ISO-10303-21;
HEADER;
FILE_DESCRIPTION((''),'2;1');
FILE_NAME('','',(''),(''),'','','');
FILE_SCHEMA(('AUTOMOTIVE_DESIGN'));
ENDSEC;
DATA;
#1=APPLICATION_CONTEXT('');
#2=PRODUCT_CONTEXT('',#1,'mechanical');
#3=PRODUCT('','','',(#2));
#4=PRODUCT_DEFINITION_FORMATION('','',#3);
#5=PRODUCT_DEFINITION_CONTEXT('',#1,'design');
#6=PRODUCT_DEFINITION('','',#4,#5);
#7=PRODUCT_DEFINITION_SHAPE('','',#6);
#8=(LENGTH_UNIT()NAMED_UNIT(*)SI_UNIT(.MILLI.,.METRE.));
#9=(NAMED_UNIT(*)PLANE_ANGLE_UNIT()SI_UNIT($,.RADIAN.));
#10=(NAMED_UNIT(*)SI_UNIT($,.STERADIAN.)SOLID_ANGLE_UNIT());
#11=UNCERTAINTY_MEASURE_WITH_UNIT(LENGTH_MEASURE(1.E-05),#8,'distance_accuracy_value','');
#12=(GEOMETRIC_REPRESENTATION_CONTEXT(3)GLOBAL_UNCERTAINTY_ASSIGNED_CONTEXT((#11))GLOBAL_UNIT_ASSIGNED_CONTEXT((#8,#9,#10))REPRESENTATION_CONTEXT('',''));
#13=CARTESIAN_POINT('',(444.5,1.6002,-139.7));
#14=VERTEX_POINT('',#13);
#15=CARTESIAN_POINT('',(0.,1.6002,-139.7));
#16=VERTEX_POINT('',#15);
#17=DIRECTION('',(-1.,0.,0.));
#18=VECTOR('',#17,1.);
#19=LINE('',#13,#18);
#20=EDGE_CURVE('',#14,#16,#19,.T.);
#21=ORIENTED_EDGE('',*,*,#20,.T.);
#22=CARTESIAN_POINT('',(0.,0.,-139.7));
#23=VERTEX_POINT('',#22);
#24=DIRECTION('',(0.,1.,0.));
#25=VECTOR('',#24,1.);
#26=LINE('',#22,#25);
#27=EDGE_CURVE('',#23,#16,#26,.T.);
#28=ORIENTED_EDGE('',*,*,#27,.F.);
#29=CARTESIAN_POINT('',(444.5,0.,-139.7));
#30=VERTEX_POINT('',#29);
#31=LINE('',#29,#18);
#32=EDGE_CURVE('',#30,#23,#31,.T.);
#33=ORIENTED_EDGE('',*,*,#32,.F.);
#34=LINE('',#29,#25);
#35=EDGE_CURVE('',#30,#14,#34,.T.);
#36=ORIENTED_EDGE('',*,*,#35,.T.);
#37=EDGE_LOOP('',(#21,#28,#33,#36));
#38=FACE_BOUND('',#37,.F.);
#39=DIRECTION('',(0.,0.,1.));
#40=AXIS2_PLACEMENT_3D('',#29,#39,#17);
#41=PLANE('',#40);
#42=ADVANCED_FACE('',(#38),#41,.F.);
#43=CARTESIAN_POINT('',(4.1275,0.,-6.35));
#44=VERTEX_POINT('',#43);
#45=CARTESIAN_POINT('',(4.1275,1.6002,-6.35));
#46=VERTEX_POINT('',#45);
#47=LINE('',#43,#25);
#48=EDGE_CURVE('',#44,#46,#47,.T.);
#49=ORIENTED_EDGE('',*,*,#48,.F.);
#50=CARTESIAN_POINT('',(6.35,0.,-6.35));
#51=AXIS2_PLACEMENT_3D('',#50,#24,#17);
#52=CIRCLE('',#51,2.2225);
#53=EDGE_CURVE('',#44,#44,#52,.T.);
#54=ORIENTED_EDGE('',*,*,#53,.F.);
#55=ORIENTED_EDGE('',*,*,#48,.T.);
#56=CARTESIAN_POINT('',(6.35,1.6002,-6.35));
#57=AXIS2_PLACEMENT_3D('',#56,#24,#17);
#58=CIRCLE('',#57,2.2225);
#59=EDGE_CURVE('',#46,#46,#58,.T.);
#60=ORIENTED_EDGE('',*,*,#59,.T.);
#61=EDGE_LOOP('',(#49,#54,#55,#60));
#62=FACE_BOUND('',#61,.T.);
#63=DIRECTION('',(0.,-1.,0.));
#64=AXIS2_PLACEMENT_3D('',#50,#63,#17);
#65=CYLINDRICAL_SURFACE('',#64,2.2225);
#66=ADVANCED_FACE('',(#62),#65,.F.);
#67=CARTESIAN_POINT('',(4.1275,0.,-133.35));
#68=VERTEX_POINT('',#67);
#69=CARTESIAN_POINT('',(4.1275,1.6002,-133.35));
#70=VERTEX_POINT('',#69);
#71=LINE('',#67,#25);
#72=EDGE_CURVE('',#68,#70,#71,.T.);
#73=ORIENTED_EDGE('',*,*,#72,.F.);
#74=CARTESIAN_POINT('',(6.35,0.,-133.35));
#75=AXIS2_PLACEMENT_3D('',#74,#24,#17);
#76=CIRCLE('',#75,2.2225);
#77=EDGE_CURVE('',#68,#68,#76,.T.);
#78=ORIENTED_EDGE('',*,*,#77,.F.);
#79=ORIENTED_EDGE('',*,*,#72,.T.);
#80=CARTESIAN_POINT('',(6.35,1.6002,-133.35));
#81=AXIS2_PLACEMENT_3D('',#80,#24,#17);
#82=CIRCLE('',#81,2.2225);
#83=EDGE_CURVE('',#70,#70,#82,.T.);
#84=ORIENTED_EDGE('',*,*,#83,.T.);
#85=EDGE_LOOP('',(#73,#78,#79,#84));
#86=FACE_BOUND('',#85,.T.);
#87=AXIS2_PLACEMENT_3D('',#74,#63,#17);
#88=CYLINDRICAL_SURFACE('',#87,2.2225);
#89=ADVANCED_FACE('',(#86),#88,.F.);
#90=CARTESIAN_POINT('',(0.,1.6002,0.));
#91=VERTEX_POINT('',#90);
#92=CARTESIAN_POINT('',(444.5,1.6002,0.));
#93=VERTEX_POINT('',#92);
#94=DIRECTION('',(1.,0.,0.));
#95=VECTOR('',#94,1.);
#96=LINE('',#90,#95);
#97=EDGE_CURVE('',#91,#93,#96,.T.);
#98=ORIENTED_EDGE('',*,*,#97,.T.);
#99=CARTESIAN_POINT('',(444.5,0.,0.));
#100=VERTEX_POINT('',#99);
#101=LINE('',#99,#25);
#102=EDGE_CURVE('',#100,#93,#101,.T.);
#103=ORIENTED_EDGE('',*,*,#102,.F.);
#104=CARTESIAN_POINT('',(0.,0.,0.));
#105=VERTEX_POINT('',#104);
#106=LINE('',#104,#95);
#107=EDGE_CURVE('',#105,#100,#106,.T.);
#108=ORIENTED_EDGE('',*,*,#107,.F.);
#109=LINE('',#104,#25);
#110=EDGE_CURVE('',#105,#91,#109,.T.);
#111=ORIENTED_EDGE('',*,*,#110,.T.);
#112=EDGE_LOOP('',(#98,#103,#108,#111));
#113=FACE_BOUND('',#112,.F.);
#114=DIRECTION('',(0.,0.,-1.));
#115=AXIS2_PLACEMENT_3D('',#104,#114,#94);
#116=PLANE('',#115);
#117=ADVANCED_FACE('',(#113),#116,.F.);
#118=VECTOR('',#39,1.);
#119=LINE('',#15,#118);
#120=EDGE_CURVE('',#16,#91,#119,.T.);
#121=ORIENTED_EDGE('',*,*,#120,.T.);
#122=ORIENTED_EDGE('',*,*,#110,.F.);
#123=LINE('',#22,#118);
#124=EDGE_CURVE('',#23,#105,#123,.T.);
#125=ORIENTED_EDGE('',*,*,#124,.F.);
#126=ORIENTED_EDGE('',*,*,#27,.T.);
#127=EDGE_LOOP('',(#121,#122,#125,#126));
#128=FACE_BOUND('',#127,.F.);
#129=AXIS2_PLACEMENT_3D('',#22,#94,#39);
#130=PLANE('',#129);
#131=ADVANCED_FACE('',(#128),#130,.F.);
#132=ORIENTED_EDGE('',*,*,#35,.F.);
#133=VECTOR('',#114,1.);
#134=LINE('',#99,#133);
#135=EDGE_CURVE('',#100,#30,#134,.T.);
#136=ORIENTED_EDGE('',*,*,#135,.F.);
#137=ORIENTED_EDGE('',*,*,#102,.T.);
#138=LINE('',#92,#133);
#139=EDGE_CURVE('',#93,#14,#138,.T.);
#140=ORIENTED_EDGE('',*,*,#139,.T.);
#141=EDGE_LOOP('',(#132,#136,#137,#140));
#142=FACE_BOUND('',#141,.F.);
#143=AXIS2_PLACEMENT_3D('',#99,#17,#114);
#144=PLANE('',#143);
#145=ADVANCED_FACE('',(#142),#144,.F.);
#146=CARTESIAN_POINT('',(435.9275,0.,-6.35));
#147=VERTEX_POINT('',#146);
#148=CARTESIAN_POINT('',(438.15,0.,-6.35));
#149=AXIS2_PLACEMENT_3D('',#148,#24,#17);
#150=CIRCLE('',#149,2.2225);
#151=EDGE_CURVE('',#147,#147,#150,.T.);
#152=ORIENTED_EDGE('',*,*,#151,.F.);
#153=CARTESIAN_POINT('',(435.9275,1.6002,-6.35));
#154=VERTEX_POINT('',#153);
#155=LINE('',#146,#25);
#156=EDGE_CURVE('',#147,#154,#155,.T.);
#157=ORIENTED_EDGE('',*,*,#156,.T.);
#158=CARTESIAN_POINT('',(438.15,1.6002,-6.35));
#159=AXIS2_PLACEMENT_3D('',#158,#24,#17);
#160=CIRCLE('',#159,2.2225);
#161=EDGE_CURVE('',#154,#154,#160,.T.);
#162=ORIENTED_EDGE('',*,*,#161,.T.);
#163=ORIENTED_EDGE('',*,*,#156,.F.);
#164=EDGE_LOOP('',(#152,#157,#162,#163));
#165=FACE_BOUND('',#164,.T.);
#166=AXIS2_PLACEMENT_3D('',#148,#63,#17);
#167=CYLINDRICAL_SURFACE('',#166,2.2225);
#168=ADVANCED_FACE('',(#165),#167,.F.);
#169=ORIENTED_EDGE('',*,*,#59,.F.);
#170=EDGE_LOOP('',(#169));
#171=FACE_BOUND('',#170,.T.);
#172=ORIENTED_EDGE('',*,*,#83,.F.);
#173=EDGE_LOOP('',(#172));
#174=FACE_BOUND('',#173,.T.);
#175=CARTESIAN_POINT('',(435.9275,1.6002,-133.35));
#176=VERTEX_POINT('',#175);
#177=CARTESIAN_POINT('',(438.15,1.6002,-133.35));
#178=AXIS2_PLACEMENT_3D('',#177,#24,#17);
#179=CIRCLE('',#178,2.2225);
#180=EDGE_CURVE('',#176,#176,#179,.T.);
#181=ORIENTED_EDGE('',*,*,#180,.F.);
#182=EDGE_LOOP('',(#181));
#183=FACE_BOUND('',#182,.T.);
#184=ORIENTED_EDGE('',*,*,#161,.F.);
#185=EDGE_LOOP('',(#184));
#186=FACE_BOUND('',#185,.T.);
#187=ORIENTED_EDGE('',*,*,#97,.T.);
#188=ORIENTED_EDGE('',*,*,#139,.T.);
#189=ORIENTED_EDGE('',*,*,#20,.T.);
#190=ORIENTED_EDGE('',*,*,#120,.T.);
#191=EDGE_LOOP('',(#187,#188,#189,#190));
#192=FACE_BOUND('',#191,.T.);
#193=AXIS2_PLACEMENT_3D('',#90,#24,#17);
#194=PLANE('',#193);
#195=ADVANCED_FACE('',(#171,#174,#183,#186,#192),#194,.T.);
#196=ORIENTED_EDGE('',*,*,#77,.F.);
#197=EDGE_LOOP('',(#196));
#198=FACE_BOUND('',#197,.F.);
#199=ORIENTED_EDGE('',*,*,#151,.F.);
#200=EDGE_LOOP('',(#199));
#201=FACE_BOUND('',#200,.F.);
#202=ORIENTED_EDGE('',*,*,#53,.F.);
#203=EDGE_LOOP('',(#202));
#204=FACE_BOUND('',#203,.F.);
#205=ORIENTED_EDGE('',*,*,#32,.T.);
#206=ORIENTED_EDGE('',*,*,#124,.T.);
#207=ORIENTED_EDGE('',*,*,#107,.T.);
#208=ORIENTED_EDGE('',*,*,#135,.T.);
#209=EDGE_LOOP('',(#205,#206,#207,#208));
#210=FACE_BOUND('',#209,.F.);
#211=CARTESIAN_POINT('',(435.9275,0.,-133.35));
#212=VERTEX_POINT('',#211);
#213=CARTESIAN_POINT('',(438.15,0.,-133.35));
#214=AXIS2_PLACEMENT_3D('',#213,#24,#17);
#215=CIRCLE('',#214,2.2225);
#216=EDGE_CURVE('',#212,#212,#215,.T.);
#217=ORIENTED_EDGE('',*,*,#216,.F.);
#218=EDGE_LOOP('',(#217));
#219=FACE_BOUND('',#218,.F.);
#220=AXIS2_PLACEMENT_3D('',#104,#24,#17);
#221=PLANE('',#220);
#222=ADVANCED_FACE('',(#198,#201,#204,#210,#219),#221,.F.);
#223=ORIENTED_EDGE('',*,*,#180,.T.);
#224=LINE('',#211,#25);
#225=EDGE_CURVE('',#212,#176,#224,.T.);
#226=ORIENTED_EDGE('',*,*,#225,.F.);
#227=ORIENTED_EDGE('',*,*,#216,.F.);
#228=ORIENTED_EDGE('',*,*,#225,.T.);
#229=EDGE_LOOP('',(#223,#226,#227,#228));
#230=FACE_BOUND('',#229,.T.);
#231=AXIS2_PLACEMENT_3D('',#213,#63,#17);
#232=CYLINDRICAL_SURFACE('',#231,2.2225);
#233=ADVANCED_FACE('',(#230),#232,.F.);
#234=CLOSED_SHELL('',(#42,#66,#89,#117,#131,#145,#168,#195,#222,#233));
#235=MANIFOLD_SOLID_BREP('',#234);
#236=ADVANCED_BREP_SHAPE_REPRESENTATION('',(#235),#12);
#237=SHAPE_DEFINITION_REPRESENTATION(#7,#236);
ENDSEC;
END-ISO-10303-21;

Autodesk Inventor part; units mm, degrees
ref_plane "YZ Plane" through (0, 0, 0) normal (1, 0, 0) x (0, 1, 0)
ref_plane "XZ Plane" through (0, 0, 0) normal (0, 1, 0) x (-1, 0, 0)
ref_plane "XY Plane" through (0, 0, 0) normal (0, 0, 1) x (1, 0, 0)
sketch "Sketch1" plane through (0, 0, 0) normal (0, 1, 0) x (-1, 0, 0)
  line L0 (0, 0) -> (-444.5, 0)
  line L1 (-444.5, 0) -> (-444.5, -139.7)
  line L2 (-444.5, -139.7) -> (0, -139.7)
  line L3 (0, -139.7) -> (0, 0)
  circle A0 centre (-6.35, -6.35) radius 2.2225
  circle A1 centre (-6.35, -133.35) radius 2.2225
  circle A2 centre (-438.15, -6.35) radius 2.2225
  circle A3 centre (-438.15, -133.35) radius 2.2225
  dimension "d0" = 444.5
  dimension "d1" = 139.7
  dimension "d2" = 4.445
  dimension "d3" = 4.445
  dimension "d4" = 4.445
  dimension "d5" = 4.445
extrude "Extrusion1" add sketch "Sketch1" along normal blind 1.6002
properties part number "conveyor_backing"
